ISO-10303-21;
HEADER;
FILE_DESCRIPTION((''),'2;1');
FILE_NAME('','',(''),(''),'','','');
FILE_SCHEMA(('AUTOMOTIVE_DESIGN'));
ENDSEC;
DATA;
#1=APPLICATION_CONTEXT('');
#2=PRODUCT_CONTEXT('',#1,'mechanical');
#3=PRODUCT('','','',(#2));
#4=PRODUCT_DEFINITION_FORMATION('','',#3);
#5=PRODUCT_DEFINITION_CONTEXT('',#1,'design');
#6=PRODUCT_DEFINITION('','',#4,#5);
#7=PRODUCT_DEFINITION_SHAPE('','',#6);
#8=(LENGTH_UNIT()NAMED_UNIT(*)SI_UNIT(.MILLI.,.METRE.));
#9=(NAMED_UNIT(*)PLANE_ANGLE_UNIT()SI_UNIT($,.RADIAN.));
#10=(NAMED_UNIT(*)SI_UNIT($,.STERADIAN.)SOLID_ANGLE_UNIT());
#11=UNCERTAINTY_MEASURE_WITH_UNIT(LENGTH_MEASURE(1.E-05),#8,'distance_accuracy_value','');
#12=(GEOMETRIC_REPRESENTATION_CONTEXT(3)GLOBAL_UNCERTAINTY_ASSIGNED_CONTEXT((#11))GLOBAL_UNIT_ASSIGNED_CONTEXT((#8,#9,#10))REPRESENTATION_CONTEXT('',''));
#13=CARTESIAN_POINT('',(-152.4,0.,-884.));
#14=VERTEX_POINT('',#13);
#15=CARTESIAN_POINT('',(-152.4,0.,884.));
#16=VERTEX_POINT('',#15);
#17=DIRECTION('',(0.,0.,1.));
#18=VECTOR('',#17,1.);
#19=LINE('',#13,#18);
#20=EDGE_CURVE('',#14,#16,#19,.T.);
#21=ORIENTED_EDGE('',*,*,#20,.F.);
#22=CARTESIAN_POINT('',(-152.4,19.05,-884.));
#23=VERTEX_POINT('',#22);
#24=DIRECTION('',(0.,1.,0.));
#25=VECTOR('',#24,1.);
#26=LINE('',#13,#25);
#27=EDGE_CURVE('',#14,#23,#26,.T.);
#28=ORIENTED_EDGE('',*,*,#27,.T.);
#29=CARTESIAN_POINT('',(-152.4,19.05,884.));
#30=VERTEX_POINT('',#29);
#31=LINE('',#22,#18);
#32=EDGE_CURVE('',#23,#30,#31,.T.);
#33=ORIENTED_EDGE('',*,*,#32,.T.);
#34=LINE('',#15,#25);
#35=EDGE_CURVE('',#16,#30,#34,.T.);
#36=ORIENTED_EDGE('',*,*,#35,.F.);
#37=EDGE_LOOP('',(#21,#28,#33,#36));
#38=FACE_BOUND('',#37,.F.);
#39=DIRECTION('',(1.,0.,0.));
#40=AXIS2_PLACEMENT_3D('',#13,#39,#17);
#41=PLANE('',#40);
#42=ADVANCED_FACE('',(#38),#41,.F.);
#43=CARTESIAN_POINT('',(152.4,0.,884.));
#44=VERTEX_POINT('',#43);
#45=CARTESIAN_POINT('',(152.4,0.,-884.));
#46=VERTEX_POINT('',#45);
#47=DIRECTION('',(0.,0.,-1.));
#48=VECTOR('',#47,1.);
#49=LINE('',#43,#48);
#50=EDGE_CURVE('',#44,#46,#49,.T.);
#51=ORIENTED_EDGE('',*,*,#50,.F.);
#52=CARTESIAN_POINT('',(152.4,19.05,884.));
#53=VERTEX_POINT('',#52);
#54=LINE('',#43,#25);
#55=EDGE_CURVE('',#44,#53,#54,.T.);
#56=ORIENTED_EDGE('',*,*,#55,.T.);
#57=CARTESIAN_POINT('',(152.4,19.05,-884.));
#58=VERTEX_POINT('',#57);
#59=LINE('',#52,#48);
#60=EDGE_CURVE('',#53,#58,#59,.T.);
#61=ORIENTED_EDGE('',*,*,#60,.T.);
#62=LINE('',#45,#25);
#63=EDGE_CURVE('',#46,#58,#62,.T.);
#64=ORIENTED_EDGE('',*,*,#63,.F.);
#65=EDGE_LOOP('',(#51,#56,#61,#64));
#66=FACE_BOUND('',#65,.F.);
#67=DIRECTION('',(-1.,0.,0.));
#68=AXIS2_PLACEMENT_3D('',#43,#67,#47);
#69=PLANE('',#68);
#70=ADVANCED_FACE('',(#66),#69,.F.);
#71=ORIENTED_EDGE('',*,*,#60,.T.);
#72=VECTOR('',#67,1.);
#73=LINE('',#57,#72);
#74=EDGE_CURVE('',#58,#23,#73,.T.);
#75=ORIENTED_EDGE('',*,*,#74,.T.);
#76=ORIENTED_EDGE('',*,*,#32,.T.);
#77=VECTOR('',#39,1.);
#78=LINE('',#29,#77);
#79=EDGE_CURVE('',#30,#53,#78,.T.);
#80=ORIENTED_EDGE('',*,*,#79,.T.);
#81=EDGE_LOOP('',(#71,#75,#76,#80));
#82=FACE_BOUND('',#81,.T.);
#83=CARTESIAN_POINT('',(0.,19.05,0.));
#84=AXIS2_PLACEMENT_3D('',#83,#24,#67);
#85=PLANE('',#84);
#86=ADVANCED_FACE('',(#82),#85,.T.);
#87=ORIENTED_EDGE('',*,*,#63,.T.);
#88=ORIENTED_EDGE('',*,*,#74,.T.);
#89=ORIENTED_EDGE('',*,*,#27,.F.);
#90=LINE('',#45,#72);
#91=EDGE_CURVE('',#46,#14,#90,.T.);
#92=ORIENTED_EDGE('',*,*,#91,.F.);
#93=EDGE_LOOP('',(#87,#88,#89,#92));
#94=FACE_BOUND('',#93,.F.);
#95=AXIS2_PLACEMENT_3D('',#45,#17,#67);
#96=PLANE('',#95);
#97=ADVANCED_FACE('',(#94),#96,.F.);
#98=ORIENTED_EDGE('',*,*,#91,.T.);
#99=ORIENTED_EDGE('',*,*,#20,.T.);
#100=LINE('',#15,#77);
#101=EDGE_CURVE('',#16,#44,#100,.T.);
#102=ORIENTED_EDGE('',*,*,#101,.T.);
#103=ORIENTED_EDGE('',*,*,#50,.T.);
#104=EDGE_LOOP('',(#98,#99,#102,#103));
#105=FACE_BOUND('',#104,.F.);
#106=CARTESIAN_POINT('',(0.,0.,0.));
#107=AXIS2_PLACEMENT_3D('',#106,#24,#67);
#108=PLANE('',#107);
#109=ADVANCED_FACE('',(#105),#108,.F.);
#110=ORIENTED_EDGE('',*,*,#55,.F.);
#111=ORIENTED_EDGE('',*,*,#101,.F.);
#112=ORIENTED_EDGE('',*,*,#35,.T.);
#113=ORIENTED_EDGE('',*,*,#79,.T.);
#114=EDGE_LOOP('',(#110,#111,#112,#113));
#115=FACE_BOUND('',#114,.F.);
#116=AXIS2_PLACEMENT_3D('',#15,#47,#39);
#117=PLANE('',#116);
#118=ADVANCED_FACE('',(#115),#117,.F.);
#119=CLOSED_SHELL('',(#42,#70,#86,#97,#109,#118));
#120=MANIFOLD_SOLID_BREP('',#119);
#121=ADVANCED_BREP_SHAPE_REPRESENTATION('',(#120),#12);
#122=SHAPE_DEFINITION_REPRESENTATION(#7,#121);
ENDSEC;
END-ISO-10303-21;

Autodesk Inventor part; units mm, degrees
ref_plane "YZ Plane" through (0, 0, 0) normal (1, 0, 0) x (0, 1, 0)
ref_plane "XZ Plane" through (0, 0, 0) normal (0, 1, 0) x (-1, 0, 0)
ref_plane "XY Plane" through (0, 0, 0) normal (0, 0, 1) x (1, 0, 0)
sketch "Sketch1" plane through (0, 0, 0) normal (0, 1, 0) x (-1, 0, 0)
  line L0 (152.4, 884) -> (-152.4, 884)
  line L1 (-152.4, 884) -> (-152.4, -884)
  line L2 (-152.4, -884) -> (152.4, -884)
  line L3 (152.4, -884) -> (152.4, 884)
  point P0 (0, 0)
  dimension "d0" = 1768
  dimension "d1" = 304.8
  dimension "d2" = 152.4
  dimension "d3" = 884
extrude "Extrusion1" add sketch "Sketch1" along normal blind 19.05
properties part number "shelf"
